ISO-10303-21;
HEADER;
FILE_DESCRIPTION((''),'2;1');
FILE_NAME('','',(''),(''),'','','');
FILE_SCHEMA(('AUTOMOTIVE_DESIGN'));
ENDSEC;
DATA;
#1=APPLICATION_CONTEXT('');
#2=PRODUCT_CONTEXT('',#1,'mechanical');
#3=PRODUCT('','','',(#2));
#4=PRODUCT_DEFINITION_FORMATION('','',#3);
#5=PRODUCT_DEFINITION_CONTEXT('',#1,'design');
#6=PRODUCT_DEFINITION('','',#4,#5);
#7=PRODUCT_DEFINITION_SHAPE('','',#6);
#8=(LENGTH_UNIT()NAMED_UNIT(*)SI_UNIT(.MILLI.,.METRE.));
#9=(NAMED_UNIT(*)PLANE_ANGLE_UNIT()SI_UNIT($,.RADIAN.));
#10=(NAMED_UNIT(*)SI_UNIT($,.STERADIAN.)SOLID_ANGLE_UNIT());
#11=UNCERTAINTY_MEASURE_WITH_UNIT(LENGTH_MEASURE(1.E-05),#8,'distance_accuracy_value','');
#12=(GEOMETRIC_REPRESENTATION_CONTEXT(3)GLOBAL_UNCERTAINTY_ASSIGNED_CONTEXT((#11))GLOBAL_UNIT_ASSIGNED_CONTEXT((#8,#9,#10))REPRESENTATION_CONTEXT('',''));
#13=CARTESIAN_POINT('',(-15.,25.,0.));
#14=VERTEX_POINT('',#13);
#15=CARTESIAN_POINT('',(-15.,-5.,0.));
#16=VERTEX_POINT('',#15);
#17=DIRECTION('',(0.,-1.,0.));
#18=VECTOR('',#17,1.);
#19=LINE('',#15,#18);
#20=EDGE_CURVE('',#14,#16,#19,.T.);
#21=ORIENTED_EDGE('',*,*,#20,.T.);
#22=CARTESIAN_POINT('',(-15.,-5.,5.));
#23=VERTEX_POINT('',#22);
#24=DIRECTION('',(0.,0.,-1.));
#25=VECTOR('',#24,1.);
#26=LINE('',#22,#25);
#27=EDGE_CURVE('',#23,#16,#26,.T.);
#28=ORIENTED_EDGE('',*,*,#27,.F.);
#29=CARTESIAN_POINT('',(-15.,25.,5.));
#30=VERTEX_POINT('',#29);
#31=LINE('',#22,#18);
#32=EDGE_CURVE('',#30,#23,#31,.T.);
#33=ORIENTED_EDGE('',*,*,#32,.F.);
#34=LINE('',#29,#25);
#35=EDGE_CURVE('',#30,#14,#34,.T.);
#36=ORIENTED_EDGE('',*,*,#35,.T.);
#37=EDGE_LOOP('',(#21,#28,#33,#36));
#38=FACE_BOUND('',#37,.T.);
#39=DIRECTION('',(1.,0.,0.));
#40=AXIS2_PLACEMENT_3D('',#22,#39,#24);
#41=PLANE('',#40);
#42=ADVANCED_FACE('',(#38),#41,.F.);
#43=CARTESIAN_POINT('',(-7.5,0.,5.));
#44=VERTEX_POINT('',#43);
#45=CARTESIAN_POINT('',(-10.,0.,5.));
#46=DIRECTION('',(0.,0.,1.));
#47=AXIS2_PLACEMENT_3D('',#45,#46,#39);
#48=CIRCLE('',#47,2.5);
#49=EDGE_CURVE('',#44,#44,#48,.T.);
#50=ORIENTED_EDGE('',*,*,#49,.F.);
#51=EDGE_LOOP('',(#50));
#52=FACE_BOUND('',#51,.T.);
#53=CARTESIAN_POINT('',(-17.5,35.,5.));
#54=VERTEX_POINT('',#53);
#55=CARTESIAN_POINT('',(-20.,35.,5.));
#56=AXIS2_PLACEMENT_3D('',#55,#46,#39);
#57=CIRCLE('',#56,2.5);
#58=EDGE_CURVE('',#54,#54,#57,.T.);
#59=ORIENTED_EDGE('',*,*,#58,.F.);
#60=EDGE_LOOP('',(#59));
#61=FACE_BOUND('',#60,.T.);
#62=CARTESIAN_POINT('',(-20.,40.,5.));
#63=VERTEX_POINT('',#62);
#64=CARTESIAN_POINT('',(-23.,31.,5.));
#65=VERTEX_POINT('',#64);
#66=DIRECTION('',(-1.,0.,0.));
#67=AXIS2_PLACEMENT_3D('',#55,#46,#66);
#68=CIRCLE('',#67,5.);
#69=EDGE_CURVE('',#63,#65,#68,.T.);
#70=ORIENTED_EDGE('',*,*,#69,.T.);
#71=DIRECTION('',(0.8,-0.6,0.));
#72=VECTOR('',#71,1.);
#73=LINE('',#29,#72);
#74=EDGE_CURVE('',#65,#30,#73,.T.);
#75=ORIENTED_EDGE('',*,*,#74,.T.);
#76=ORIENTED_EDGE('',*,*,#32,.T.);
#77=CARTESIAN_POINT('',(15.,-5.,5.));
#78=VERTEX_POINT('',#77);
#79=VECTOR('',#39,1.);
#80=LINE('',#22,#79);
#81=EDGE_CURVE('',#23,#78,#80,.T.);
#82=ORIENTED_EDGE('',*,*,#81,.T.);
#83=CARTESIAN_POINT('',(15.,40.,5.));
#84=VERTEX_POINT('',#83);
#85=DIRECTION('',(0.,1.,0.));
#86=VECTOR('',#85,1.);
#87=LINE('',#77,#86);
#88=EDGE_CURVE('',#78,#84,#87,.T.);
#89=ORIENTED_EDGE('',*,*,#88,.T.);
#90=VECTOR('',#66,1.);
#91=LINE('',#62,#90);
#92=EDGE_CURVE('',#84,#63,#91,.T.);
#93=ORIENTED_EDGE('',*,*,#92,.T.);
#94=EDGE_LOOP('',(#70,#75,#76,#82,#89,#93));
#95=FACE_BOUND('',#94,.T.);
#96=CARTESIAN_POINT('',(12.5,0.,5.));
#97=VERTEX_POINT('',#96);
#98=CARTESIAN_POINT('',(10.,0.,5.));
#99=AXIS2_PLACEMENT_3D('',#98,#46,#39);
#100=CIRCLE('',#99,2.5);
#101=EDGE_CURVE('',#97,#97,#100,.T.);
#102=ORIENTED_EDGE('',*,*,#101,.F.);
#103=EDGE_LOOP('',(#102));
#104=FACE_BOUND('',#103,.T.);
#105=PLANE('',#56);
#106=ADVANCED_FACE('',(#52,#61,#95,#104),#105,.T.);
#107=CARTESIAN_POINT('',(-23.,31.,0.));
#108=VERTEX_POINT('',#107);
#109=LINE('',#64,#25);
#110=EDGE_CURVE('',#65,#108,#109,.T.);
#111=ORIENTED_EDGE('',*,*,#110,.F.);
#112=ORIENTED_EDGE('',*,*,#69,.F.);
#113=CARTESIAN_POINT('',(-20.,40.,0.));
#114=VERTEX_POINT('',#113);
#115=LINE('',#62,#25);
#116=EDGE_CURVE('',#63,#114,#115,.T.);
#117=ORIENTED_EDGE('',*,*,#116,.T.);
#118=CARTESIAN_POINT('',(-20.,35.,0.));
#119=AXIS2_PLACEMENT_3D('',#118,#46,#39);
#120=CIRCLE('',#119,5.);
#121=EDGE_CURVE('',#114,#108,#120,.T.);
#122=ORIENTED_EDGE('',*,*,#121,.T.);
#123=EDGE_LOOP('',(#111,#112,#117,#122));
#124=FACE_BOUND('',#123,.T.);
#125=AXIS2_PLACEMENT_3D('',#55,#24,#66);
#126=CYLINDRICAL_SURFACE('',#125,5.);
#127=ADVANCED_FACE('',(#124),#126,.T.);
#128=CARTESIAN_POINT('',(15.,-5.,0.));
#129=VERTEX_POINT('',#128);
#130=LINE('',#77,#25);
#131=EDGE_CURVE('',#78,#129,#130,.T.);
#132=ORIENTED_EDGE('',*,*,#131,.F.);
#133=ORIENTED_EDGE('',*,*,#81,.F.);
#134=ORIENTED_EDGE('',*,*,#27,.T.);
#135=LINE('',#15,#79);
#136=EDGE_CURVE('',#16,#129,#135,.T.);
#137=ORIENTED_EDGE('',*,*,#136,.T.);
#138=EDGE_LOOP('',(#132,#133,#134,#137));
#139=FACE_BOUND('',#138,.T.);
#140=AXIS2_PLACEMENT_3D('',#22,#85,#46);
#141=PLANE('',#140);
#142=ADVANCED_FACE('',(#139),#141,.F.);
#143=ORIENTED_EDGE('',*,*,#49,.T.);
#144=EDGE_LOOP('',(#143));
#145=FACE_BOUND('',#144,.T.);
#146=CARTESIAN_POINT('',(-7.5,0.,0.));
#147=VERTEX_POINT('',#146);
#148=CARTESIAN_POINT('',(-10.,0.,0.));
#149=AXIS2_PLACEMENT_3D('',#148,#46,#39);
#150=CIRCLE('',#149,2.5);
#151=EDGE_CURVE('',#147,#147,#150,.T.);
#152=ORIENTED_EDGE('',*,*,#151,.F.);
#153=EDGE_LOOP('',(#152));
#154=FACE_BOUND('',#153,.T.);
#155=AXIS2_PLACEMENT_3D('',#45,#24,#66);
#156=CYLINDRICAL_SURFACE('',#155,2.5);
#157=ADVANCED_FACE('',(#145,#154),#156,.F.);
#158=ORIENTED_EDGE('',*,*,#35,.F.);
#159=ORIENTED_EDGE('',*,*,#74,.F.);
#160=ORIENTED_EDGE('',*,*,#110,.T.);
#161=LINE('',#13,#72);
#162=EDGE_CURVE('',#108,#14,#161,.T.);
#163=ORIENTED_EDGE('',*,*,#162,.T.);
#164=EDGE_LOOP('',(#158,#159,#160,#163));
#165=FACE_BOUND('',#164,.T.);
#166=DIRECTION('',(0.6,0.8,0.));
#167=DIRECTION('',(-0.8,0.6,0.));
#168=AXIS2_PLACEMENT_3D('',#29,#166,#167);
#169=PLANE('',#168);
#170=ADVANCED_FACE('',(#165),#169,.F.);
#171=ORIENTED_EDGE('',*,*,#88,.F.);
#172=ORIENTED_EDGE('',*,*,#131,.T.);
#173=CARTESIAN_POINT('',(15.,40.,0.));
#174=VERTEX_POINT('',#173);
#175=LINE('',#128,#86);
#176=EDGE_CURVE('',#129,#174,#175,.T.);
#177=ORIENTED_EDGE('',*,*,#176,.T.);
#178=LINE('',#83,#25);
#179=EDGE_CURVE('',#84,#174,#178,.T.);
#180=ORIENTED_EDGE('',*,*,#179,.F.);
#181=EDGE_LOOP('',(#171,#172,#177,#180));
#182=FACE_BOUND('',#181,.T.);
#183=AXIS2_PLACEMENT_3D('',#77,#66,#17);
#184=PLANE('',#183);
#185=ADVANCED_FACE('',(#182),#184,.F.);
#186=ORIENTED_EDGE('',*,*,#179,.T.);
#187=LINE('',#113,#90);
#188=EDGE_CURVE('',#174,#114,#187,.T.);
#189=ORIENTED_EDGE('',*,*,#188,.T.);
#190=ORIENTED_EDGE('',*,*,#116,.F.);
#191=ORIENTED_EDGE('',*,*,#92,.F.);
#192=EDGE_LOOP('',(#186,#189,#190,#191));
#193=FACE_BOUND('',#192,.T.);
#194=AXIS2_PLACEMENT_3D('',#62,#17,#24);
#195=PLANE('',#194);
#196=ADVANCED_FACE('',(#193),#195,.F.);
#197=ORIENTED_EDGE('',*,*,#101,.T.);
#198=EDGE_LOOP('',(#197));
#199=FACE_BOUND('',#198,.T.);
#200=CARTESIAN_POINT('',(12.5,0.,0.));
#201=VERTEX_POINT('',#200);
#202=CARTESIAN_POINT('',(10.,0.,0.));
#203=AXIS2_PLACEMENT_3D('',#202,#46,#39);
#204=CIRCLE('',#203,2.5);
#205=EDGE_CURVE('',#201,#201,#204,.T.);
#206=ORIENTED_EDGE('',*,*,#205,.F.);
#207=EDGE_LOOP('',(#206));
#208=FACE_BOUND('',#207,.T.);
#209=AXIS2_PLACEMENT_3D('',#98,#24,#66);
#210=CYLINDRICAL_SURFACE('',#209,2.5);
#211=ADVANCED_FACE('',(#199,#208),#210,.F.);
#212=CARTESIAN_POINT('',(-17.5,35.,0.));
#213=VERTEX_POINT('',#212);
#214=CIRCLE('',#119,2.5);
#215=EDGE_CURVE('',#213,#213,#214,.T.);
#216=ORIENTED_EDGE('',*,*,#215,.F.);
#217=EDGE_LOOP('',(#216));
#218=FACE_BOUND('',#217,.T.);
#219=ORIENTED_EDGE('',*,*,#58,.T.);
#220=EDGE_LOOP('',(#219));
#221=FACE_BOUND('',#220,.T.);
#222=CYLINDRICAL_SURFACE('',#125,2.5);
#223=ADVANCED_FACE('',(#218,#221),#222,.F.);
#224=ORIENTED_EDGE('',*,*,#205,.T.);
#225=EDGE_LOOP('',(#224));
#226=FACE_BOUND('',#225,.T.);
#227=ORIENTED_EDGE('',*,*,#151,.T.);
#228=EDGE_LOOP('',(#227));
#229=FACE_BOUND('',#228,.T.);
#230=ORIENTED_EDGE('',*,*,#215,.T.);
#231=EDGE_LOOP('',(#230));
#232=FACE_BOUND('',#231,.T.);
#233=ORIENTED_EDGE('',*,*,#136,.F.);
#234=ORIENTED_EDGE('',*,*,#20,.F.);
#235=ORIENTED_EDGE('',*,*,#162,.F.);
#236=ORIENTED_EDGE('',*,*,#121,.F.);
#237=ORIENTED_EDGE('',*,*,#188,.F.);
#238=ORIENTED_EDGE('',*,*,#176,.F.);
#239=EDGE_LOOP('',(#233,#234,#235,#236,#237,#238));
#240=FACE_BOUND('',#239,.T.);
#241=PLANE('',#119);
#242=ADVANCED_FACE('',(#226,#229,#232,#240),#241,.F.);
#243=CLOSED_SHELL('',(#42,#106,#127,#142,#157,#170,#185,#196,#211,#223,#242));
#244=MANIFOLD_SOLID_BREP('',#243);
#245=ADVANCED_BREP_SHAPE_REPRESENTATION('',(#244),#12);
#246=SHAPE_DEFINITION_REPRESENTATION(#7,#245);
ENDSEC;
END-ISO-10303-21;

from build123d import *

# Parameters (mm, degrees)
SKETCH1_R           = 2.5
BOSS_EXTRUDE1_DEPTH = 5


with BuildPart() as part:
    # Sketch1 → Boss-Extrude1 (new body)
    with BuildSketch(Plane.XY):
        with BuildLine():
            Line((-15, -5), (15, -5))
            Line((15, -5), (15, 40))
            Line((15, 40), (-20, 40))
            ThreePointArc((-20, 40), (-23.535533906, 38.535533906), (-25, 35))
            ThreePointArc((-25, 35), (-24.472135955, 32.763932023), (-23, 31))
            Line((-23, 31), (-15, 25))
            Line((-15, 25), (-15, -5))
        make_face()
        with Locations((-10, 0)):
            Circle(SKETCH1_R, mode=Mode.SUBTRACT)
        with Locations((10, 0)):
            Circle(SKETCH1_R, mode=Mode.SUBTRACT)
        with Locations((-20, 35)):
            Circle(SKETCH1_R, mode=Mode.SUBTRACT)
    extrude(amount=BOSS_EXTRUDE1_DEPTH)


solid = part.part
